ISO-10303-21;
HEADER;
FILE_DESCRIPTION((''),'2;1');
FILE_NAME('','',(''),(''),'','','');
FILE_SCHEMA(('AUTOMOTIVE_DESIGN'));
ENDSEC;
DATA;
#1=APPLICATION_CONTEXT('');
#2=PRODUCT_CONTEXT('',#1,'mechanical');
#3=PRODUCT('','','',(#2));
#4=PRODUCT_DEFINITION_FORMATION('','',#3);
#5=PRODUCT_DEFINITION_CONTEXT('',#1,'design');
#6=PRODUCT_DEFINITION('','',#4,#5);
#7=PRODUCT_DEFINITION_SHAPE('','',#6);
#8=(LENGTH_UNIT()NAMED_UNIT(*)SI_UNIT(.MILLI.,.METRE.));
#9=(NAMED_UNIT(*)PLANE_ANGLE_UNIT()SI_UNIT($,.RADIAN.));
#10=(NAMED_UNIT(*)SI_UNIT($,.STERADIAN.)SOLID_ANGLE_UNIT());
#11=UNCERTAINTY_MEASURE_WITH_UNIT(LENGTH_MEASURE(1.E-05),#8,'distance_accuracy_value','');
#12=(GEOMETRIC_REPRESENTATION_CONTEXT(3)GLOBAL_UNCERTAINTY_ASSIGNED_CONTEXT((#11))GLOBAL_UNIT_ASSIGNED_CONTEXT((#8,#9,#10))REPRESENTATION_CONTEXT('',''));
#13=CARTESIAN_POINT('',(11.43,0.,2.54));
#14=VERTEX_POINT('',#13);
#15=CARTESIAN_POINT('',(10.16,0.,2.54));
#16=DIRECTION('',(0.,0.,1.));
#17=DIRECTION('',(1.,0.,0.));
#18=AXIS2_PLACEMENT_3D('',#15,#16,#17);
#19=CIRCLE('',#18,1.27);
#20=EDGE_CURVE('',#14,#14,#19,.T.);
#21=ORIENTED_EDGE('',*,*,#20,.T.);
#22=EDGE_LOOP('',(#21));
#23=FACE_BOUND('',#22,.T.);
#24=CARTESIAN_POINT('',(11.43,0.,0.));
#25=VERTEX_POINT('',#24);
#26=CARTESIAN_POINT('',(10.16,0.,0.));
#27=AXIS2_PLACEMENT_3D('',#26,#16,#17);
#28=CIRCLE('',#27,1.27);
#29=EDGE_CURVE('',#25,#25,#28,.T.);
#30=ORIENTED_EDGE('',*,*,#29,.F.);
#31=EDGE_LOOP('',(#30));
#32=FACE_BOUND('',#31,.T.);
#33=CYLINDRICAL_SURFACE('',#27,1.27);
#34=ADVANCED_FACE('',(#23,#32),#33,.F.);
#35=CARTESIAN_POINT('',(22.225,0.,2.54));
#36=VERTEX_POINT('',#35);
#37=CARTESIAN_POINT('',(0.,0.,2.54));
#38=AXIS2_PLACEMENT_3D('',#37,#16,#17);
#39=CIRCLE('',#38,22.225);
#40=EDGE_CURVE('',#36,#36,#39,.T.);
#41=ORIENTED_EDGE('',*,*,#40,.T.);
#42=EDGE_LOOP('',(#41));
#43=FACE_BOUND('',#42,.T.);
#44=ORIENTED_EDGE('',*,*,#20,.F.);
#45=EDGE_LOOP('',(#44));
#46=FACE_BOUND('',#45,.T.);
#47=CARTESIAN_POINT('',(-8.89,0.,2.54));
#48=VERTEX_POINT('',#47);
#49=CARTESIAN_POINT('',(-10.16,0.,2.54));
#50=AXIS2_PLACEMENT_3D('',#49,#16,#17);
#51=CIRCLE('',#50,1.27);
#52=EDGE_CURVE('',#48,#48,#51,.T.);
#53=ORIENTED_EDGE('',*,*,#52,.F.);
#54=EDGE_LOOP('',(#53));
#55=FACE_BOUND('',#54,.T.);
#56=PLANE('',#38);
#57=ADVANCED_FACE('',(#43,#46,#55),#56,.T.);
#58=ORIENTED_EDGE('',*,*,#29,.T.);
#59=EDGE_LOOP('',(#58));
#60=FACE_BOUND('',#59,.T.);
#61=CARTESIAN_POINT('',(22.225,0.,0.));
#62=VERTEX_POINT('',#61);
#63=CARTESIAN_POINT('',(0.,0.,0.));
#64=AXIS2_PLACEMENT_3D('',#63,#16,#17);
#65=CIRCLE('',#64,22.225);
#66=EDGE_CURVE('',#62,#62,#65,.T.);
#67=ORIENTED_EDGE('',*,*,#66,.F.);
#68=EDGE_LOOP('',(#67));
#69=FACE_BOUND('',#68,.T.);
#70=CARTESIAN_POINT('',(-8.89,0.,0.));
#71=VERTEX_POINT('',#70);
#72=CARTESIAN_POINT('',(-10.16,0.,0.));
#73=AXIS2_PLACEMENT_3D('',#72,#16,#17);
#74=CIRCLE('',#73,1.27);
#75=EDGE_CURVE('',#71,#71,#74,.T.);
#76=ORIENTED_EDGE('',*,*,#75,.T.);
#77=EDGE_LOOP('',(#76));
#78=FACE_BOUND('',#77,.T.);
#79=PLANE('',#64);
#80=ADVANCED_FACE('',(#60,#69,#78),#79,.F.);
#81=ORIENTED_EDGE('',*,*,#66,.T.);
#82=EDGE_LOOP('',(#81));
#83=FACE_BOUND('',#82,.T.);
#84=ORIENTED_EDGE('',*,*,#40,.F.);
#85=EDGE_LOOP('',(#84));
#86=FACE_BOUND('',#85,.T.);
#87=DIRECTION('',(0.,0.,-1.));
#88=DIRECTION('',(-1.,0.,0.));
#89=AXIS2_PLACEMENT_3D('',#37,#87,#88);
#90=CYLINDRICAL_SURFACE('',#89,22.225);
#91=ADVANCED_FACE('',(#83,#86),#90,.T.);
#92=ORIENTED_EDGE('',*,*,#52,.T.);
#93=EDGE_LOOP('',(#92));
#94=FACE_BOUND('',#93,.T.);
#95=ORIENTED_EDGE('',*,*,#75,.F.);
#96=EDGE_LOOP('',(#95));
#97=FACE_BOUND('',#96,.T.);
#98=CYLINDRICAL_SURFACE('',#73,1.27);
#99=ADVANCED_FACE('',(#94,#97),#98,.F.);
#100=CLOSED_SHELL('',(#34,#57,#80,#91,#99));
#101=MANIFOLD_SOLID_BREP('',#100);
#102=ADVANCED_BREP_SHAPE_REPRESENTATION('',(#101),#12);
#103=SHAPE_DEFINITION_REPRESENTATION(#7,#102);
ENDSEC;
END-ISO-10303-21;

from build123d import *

# Parameters (mm, degrees)
SKETCH1_R           = 22.225
BOSS_EXTRUDE1_DEPTH = 2.54
CUT_EXTRUDE1_DEPTH  = 3.54


with BuildPart() as part:
    # Sketch1 → Boss-Extrude1 (new body)
    with BuildSketch(Plane.XY):
        Circle(SKETCH1_R)
    extrude(amount=BOSS_EXTRUDE1_DEPTH)

    # Sketch2 → Cut-Extrude1 (cut, through all)
    with BuildSketch(Plane.XY.offset(2.54)):
        with BuildLine():
            ThreePointArc((-8.89, 0), (-10.16, 1.27), (-11.43, 0))
            Line((-11.43, 0), (-8.89, 0))
        make_face()
        with BuildLine():
            Line((-8.89, 0), (-11.43, 0))
            ThreePointArc((-11.43, 0), (-10.16, -1.27), (-8.89, 0))
        make_face()
        with BuildLine():
            ThreePointArc((11.43, 0), (10.16, 1.27), (8.89, 0))
            Line((8.89, 0), (11.43, 0))
        make_face()
        with BuildLine():
            Line((11.43, 0), (8.89, 0))
            ThreePointArc((8.89, 0), (10.16, -1.27), (11.43, 0))
        make_face()
    extrude(amount=-CUT_EXTRUDE1_DEPTH, mode=Mode.SUBTRACT)


solid = part.part
